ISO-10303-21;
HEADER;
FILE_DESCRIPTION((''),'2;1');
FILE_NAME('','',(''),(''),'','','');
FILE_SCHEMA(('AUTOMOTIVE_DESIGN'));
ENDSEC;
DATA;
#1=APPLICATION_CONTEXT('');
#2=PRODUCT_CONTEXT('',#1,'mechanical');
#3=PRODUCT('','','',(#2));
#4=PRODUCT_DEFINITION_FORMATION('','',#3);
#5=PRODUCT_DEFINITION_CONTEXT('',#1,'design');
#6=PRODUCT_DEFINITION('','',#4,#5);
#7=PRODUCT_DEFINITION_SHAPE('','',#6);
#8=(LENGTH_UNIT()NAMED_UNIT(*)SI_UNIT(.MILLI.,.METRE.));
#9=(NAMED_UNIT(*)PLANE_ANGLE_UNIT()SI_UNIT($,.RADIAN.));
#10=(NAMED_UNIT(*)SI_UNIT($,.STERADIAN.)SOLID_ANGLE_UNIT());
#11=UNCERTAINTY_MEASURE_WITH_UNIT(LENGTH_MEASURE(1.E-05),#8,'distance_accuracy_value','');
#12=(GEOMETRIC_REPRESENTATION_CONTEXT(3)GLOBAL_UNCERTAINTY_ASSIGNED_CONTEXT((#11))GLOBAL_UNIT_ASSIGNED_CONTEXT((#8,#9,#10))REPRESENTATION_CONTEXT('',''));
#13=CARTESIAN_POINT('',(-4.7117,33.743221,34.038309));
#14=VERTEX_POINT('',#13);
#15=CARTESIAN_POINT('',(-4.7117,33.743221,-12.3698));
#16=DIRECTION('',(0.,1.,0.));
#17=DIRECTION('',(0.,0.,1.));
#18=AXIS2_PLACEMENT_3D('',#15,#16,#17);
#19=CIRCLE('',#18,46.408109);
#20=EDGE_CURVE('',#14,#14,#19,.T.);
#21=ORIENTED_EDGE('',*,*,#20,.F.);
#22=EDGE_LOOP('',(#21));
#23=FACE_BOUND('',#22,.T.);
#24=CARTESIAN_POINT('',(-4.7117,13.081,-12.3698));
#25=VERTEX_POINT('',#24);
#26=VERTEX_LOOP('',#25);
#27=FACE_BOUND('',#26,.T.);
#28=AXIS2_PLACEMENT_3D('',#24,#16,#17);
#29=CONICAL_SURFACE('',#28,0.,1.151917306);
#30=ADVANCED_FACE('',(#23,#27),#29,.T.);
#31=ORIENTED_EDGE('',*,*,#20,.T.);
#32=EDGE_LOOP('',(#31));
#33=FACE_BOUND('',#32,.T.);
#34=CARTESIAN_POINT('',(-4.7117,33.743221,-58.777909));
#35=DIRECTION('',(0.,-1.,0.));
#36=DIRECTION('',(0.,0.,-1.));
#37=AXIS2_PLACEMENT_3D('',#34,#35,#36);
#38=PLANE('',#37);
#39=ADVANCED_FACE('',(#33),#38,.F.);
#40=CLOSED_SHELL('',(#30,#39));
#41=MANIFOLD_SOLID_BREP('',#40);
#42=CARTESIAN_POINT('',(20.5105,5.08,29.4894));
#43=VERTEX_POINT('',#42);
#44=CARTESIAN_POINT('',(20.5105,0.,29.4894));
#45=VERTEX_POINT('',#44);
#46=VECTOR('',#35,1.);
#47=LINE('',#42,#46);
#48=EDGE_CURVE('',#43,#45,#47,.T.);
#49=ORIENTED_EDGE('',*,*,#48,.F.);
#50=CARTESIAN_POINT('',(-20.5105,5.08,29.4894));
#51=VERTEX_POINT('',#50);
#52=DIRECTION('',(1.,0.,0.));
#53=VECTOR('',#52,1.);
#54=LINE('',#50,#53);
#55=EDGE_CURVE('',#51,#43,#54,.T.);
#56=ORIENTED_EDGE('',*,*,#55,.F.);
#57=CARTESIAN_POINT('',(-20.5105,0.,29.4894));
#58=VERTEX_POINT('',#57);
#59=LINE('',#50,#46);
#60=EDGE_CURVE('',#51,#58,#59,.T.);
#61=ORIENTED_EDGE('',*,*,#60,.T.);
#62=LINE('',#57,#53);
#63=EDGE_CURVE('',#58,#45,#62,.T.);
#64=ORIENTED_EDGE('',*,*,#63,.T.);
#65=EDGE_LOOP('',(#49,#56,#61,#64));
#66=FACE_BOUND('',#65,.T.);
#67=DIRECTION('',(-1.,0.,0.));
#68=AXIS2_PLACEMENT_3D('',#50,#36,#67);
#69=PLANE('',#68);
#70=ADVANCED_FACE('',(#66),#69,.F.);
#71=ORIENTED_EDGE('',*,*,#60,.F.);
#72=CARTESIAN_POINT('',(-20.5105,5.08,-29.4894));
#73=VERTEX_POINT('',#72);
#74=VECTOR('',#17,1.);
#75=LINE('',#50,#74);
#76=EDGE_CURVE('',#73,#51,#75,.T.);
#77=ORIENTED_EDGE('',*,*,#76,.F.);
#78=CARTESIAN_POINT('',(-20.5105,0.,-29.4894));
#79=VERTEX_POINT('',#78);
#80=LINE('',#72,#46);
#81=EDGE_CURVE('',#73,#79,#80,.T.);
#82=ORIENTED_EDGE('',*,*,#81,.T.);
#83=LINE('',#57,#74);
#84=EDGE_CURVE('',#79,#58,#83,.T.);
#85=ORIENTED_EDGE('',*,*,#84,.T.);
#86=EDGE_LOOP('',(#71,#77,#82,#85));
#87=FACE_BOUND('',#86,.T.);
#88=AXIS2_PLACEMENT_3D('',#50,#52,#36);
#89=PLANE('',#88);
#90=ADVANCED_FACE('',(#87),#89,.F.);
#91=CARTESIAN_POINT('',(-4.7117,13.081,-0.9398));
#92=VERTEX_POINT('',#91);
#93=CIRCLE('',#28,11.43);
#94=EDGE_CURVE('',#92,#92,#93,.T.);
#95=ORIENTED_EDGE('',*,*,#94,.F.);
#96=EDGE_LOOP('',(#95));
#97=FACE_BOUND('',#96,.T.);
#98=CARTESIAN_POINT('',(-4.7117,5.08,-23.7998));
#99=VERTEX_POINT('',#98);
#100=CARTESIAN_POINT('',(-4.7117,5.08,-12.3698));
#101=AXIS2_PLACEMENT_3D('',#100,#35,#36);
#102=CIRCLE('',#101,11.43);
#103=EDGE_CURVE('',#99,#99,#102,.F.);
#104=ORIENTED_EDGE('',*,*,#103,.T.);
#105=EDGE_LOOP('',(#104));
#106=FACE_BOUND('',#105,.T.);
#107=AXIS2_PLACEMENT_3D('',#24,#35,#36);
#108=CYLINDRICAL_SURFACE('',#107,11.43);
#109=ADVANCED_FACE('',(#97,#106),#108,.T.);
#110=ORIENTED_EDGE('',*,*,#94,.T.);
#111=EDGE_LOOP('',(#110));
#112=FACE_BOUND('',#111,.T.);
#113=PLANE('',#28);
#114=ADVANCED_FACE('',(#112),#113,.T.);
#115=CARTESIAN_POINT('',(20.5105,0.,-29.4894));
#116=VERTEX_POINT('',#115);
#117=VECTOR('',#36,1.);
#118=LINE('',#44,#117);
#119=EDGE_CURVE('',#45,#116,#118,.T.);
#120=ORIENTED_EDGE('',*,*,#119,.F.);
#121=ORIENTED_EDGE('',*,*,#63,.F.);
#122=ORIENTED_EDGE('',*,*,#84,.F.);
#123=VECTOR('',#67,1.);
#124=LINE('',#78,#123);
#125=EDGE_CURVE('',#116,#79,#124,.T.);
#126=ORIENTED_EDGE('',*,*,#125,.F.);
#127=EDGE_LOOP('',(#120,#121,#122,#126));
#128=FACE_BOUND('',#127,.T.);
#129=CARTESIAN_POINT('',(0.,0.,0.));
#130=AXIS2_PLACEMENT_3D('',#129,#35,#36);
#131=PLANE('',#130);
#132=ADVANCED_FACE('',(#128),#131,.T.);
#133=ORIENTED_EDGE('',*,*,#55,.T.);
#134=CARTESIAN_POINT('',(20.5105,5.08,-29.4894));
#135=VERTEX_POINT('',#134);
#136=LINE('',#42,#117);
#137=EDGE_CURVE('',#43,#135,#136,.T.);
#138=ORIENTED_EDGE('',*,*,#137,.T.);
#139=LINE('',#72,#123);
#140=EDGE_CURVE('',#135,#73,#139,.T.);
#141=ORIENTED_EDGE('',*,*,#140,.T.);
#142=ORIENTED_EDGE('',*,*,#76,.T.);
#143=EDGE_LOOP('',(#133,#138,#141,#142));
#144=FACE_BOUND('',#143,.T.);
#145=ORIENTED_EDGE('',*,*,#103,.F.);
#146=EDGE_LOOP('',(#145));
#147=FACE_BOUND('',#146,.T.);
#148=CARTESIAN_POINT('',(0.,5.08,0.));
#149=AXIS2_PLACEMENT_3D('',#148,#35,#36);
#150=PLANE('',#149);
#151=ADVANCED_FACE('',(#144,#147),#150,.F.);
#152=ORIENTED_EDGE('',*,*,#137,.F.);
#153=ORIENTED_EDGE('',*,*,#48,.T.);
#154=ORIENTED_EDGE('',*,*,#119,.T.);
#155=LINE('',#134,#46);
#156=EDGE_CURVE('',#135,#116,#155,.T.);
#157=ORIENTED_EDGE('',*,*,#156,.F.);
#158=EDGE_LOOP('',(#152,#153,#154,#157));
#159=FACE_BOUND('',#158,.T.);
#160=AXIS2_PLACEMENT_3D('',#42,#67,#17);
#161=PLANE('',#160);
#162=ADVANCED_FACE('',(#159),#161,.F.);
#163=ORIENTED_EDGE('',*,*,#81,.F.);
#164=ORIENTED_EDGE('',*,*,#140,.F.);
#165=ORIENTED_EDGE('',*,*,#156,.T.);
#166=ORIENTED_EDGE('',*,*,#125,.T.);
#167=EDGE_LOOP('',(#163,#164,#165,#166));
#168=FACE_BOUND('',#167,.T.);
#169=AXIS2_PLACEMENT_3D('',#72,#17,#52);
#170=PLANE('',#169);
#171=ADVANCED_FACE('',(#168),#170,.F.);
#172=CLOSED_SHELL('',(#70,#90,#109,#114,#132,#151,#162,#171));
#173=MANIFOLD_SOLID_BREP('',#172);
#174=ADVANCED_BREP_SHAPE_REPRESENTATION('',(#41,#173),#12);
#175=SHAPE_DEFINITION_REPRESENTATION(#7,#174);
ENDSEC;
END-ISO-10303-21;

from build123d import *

# Parameters (mm, degrees)
SKETCH1_W           = 41.021
SKETCH1_H           = 58.9788
BOSS_EXTRUDE1_DEPTH = 5.08
SKETCH2_R           = 11.43
BOSS_EXTRUDE2_DEPTH = 8.001


with BuildPart() as part:
    # Sketch1 → Boss-Extrude1 (new body)
    with BuildSketch(Plane(origin=(0, 0, 0), x_dir=(1, 0, 0), z_dir=(0, 1, 0))):
        Rectangle(SKETCH1_W, SKETCH1_H)
    extrude(amount=BOSS_EXTRUDE1_DEPTH)

    # Sketch2 → Boss-Extrude2 (add)
    with BuildSketch(Plane(origin=(0, 5.08, 0), x_dir=(1, 0, 0), z_dir=(0, 1, 0))):
        with Locations(Location((-4.7117, 12.3698, 0), (0, 0, 90))):
            Circle(SKETCH2_R)
    extrude(amount=BOSS_EXTRUDE2_DEPTH)


with BuildPart() as body_2:
    # Sketch6 → Revolve1 (revolve)
    with BuildSketch(Plane(origin=(-4.7117, 0, 0), x_dir=(0, 0, -1), z_dir=(1, 0, 0)), mode=Mode.PRIVATE) as revolve1_sk:
        Polygon((12.3698, 13.081), (58.777909248, 33.743221468), (12.3698, 33.743221468), align=None)
    revolve(revolve1_sk.sketch.rotate(Axis((-4.7117, 33.743221468, -12.3698), (0, -1, 0)), 180), axis=Axis((-4.7117, 33.743221468, -12.3698), (0, -1, 0)))


solid = Compound([part.part, body_2.part])
